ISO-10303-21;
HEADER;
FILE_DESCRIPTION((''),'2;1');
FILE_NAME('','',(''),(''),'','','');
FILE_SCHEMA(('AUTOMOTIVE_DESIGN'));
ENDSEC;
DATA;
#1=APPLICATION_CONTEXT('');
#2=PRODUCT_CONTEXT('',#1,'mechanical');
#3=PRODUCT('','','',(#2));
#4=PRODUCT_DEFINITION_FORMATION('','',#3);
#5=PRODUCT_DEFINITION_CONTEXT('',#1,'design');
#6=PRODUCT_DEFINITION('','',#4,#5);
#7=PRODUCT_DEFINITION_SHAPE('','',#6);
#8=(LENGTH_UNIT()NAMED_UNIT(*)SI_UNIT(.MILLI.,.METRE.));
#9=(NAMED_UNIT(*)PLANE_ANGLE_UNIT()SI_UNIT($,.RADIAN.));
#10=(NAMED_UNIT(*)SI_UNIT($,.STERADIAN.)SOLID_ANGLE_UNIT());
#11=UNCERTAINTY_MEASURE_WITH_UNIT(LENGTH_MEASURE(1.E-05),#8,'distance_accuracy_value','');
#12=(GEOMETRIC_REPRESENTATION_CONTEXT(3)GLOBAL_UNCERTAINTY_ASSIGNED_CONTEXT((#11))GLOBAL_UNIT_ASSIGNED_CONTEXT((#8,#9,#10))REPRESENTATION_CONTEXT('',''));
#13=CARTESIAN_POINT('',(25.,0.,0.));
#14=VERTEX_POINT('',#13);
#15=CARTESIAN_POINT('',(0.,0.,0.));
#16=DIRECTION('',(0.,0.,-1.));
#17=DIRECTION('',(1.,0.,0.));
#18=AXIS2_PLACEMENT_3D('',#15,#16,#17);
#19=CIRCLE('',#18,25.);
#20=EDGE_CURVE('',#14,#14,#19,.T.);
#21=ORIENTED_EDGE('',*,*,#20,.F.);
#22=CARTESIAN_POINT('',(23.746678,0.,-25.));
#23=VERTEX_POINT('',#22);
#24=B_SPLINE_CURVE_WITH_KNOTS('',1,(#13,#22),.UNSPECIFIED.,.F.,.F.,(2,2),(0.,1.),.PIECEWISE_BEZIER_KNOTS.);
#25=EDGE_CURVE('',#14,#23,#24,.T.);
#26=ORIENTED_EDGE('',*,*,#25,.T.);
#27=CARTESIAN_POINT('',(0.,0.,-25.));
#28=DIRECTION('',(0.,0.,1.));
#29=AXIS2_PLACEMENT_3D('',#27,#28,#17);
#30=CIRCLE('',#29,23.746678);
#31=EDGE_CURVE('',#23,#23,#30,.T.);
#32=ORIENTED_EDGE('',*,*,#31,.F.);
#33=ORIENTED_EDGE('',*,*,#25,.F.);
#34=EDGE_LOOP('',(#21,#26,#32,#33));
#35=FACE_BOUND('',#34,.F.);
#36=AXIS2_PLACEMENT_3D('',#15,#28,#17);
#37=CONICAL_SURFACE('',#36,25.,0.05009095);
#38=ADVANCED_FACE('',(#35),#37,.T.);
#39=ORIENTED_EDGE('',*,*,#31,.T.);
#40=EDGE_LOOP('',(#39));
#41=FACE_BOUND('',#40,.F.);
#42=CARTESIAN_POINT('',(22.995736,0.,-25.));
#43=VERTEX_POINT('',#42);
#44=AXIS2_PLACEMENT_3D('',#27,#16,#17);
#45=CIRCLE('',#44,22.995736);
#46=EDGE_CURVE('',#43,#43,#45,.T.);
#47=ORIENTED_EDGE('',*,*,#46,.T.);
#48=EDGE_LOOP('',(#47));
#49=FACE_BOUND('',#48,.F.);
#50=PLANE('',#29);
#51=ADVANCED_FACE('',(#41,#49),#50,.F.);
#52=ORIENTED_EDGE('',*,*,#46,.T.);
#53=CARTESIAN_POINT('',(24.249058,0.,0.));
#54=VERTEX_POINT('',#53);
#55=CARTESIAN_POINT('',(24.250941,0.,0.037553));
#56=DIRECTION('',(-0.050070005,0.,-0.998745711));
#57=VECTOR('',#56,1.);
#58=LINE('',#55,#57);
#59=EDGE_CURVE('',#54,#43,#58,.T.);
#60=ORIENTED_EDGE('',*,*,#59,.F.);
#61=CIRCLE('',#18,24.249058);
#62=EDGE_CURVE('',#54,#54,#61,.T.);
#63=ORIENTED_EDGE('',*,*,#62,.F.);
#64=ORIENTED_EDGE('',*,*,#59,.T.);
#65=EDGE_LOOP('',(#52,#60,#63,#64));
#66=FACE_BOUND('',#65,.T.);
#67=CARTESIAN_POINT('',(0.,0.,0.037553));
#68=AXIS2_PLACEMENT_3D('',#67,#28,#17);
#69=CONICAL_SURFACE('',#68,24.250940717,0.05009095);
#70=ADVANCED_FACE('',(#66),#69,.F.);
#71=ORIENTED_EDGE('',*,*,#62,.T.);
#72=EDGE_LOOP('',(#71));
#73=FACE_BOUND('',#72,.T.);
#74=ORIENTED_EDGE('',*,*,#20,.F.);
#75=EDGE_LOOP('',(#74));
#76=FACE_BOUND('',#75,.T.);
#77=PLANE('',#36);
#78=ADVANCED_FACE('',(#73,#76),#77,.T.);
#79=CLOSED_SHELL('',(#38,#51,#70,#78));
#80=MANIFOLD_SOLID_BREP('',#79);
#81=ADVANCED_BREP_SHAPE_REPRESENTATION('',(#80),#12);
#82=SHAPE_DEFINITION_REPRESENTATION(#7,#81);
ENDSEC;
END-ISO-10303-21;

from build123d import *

# Parameters (mm, degrees)
F0_R     = 25
F1_DEPTH = 25
F1_TAPER = 2.87
F2_T     = -0.75


with BuildPart() as f1:
    # F0 (on Top) → F1 (new body)
    with BuildSketch(Plane.XY):
        Circle(F0_R)
    extrude(amount=-F1_DEPTH, taper=F1_TAPER)

    # F2
    f2_openings = [f1.faces().sort_by_distance(p)[0] for p in [
        (0, 0, 0),
        (0, 0, -25),
    ]]
    offset(amount=F2_T, openings=f2_openings, kind=Kind.INTERSECTION)


solid = f1.part
